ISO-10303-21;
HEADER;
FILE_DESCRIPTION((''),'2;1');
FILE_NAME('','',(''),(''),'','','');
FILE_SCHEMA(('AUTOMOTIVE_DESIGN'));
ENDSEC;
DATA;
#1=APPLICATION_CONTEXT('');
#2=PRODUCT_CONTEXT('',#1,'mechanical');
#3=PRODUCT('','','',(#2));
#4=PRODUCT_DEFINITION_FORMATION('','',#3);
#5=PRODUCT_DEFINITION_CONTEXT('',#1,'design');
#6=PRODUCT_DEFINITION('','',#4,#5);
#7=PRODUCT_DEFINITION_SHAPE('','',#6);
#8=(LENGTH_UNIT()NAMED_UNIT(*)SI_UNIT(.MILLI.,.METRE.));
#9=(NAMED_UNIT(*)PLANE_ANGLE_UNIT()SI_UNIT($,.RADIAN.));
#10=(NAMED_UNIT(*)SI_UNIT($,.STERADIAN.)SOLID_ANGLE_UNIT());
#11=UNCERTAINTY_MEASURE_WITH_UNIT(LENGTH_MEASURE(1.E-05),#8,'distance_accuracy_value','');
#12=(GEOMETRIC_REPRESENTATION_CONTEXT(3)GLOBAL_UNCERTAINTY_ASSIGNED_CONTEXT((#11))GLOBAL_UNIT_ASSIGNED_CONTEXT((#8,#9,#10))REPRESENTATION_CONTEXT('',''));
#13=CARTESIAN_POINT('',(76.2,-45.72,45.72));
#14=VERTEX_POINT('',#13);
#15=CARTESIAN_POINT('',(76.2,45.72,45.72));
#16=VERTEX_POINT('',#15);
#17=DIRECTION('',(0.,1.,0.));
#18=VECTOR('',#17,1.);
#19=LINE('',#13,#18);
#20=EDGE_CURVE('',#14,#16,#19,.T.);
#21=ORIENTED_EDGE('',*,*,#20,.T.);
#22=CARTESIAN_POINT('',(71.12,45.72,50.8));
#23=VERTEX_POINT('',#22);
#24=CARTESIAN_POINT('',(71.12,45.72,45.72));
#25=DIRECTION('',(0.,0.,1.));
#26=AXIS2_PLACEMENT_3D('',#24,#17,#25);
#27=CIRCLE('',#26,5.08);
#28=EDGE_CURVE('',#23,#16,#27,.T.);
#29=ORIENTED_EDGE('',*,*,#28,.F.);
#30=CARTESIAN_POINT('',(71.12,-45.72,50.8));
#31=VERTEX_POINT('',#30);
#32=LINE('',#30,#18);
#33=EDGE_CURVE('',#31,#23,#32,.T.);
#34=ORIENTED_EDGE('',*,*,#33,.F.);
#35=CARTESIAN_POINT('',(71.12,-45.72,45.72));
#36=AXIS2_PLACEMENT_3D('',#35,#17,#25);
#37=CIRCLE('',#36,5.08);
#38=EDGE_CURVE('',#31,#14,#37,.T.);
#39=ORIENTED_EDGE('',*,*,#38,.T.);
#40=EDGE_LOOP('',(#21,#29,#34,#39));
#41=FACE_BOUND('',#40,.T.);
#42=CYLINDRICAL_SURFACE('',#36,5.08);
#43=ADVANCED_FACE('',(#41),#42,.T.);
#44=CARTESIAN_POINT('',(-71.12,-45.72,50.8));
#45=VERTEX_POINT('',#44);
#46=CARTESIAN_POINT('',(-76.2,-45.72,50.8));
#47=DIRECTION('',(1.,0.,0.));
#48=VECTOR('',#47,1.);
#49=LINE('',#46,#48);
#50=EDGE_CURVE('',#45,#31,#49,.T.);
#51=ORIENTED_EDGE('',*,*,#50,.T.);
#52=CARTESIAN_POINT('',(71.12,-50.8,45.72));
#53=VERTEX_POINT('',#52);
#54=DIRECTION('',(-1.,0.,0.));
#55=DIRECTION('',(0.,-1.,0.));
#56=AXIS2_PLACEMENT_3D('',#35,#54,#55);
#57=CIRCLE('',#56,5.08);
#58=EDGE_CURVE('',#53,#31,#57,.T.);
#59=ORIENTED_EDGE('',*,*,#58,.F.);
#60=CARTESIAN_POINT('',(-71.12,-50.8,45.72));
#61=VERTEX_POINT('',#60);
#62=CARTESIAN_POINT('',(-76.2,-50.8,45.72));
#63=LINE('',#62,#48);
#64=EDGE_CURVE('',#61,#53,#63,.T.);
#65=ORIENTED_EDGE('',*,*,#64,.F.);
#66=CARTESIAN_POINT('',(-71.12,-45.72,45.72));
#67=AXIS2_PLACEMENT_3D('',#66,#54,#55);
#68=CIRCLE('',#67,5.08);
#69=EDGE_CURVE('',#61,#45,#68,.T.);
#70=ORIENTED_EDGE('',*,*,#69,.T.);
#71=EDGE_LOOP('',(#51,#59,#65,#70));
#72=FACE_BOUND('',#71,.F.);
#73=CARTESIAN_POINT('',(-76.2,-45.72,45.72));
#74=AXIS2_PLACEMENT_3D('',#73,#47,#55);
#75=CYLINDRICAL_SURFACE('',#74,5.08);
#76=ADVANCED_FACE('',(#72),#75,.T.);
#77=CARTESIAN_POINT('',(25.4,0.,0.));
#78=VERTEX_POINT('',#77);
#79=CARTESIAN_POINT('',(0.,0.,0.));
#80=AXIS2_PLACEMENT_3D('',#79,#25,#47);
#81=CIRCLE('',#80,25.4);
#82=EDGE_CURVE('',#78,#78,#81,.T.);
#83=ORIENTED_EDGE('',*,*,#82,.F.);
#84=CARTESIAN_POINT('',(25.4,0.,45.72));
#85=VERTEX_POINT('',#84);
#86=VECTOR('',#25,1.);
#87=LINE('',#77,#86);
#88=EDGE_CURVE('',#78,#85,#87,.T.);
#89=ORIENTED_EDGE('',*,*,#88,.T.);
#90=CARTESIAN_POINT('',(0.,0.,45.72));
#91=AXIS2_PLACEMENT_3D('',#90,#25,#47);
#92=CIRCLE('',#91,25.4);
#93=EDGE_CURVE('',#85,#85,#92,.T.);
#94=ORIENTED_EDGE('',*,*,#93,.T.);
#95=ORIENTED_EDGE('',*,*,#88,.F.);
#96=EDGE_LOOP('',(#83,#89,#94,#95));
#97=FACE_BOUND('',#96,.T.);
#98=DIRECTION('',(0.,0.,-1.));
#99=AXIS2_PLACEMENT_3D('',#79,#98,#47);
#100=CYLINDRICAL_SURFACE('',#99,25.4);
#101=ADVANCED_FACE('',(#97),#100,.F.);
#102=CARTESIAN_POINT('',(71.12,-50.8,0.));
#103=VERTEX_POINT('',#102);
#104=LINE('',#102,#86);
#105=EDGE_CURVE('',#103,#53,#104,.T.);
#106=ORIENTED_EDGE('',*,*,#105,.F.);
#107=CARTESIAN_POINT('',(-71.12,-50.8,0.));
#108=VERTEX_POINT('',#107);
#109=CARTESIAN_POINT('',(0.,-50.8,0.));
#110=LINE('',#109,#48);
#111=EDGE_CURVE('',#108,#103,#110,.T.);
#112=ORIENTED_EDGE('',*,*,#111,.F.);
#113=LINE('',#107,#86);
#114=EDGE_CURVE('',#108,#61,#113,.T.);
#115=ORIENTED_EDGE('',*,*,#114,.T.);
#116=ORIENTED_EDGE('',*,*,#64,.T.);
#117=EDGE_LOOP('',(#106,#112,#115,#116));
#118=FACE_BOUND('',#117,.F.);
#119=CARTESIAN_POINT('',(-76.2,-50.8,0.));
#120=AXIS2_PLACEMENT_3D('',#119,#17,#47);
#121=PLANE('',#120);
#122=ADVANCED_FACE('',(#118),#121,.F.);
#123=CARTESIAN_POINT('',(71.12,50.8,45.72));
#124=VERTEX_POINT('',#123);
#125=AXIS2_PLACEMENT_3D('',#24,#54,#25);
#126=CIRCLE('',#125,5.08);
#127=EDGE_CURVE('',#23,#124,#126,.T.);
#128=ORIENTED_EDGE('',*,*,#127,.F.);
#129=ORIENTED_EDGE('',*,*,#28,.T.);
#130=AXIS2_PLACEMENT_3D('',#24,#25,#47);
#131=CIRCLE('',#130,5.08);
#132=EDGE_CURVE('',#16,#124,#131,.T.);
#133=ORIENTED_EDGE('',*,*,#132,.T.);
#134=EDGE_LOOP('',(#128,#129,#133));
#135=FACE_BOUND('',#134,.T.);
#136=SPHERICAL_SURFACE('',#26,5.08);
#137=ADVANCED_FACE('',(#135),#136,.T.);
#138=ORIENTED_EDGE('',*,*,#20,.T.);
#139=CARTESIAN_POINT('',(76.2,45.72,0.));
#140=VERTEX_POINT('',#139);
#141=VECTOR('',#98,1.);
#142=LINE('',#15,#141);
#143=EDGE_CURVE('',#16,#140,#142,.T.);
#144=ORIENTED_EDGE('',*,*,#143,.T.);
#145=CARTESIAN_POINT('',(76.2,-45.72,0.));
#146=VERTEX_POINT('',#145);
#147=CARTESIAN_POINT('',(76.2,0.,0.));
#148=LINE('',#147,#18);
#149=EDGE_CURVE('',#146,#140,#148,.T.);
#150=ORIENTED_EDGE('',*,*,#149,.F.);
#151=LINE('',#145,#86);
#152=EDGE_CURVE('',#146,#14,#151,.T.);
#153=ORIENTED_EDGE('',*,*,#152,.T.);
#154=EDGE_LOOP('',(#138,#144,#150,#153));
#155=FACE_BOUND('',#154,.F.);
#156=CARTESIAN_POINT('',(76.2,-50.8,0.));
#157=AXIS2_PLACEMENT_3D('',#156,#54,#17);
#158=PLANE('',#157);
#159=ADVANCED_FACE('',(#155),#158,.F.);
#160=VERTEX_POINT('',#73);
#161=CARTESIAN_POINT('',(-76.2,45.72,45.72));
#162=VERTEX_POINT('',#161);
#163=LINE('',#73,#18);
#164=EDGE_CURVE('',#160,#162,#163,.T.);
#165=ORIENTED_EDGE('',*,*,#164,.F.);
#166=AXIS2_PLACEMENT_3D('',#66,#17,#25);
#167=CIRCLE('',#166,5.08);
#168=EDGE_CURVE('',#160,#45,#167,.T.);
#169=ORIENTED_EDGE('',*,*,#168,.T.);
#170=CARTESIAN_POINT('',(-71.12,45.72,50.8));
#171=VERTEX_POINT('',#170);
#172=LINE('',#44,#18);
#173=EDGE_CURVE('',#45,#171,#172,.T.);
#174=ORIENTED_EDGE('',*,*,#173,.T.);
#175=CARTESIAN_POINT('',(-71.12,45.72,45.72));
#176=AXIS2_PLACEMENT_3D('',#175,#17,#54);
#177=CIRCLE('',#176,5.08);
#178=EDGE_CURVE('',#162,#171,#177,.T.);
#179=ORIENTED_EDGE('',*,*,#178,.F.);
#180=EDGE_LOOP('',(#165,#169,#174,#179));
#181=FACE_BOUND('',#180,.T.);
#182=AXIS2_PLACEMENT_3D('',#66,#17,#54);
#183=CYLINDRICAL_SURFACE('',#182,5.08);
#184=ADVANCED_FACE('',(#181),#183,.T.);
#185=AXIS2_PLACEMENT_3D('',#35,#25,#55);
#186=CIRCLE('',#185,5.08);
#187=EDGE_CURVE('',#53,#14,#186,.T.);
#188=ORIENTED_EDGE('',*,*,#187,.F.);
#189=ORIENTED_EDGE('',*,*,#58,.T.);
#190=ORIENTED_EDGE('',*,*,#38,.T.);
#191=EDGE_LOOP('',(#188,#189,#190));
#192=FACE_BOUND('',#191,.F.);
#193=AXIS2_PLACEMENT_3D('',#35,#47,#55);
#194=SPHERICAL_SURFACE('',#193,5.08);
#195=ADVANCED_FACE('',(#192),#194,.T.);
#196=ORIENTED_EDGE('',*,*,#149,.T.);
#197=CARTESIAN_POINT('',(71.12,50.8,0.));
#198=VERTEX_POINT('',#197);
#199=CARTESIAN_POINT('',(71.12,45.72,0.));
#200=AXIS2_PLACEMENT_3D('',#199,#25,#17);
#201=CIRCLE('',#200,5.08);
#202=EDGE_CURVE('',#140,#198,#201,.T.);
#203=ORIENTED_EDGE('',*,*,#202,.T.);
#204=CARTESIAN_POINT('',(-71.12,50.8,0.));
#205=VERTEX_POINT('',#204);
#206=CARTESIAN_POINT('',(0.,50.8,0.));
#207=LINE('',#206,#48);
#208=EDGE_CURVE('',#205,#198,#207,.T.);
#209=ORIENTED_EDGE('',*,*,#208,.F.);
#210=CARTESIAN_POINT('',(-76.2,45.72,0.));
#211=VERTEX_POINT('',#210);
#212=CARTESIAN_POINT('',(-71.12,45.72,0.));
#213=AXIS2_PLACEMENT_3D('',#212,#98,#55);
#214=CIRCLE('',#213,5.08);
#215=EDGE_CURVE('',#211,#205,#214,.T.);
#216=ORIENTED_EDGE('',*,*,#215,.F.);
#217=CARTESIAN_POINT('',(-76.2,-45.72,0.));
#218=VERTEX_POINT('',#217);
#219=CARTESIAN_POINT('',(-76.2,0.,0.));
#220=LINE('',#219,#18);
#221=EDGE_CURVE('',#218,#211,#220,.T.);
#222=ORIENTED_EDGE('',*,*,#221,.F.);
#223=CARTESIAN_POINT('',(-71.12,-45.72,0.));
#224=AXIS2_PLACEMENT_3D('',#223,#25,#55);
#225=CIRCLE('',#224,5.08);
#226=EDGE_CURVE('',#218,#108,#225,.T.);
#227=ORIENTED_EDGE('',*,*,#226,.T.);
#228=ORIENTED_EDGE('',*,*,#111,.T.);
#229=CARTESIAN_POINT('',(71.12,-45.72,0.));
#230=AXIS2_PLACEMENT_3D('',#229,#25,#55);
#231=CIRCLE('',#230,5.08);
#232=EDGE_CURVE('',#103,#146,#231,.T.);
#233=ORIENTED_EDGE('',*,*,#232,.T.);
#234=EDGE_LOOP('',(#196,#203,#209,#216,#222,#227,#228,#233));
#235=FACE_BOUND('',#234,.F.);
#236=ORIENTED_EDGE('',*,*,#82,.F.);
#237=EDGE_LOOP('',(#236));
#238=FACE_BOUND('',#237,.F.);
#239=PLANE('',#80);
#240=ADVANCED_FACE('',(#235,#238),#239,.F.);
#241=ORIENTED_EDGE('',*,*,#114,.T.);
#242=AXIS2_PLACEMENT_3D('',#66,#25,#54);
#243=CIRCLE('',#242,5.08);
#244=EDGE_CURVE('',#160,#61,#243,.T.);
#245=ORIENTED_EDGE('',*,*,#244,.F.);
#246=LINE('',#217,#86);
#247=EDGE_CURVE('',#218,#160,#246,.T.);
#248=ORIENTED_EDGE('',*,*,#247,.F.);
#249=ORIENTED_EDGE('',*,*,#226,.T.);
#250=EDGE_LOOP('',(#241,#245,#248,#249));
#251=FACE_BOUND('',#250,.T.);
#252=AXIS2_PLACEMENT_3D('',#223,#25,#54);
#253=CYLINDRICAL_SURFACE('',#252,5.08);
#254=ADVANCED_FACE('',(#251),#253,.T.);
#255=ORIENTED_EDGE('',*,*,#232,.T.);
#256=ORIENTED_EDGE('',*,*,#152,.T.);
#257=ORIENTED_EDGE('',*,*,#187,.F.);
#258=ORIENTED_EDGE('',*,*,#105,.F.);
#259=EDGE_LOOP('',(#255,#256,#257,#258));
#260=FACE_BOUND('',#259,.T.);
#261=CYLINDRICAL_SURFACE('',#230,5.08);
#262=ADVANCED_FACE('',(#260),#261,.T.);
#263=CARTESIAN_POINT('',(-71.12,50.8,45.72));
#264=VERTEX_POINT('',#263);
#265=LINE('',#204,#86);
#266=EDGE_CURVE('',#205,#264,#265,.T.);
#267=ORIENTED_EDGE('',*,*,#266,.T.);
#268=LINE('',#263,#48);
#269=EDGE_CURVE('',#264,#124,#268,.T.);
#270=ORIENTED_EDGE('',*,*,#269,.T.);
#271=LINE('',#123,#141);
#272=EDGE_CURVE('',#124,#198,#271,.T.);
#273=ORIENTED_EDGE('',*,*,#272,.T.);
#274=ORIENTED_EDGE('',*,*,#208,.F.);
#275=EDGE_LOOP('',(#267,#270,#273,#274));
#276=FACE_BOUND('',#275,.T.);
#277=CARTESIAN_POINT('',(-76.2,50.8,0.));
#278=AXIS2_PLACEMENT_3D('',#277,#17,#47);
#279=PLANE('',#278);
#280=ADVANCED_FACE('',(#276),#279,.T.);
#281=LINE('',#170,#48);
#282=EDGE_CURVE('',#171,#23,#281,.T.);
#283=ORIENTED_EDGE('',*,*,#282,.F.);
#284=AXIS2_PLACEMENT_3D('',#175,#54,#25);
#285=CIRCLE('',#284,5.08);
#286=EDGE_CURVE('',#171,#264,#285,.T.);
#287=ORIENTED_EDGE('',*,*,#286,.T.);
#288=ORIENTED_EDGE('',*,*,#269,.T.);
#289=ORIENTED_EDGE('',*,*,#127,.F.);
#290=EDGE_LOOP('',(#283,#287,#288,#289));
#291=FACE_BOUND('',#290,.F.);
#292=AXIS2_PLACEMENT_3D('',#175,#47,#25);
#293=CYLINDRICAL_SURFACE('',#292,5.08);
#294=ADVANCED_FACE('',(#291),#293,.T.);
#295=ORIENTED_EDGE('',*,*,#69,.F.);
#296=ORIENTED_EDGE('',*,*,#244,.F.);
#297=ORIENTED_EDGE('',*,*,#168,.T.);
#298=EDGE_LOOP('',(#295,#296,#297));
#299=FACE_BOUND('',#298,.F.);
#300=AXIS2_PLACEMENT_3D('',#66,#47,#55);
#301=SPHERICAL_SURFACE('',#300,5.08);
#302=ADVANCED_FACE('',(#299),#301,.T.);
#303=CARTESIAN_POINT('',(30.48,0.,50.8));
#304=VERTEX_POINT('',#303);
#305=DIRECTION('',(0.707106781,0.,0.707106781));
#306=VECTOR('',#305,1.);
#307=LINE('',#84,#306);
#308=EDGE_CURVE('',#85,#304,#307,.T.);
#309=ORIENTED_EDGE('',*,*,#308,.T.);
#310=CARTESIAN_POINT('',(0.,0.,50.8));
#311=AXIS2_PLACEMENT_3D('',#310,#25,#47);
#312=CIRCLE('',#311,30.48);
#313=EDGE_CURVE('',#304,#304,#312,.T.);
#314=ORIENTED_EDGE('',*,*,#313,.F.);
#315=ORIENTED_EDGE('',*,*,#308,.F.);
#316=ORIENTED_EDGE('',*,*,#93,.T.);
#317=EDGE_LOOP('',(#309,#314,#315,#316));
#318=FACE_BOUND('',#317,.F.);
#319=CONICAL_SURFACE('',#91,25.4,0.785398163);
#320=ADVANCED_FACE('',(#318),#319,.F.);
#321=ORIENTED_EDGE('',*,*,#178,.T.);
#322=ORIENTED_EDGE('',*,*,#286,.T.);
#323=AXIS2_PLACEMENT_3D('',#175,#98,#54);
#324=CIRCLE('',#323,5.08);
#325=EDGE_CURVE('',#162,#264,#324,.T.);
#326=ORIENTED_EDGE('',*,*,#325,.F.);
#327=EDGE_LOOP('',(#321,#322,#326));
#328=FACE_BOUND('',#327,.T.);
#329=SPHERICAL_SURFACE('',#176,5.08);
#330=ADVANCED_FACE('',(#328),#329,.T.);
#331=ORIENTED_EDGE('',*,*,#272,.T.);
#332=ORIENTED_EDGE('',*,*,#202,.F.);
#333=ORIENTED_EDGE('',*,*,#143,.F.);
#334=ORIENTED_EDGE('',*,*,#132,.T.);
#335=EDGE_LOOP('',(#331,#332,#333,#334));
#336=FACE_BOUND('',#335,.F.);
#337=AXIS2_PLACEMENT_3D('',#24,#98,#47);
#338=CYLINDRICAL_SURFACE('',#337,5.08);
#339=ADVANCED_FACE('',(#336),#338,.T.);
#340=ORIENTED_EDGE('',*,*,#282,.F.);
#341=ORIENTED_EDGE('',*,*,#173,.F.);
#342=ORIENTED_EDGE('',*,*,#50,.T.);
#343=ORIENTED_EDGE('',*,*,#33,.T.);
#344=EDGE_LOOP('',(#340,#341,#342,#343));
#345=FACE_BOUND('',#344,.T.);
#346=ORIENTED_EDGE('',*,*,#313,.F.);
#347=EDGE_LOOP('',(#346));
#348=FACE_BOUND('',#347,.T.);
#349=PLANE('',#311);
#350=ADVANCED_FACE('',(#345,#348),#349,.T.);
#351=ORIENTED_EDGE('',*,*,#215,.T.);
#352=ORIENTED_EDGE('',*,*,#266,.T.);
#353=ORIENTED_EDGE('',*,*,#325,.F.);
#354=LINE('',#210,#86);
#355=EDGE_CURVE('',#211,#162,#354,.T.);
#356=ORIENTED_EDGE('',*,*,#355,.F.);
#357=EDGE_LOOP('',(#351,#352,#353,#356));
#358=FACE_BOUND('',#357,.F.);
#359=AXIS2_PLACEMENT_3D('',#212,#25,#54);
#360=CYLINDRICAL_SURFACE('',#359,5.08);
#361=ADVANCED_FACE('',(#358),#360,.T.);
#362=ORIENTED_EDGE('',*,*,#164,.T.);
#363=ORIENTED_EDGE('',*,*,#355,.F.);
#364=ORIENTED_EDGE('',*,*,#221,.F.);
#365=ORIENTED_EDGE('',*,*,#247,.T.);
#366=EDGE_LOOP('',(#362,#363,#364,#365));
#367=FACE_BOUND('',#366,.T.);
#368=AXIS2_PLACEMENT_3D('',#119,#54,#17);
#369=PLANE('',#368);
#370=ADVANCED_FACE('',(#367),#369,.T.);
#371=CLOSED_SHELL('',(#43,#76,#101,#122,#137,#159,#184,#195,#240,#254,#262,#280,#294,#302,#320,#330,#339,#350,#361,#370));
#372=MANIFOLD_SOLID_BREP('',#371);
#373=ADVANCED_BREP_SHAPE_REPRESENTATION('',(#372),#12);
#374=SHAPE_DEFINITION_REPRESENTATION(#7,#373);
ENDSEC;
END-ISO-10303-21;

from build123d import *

# Parameters (mm, degrees)
F0_W     = 152.4
F0_H     = 101.6
F0_R     = 25.4
F1_DEPTH = 50.8
F2_R     = 5.08
F3_R     = 5.08
F4_R     = 5.08
F5_R     = 5.08
F6_SIZE  = 5.08


with BuildPart() as f1:
    # F0 (on Top) → F1 (new body)
    with BuildSketch(Plane.XY):
        Rectangle(F0_W, F0_H)
        Circle(F0_R, mode=Mode.SUBTRACT)
    extrude(amount=F1_DEPTH)

    # F2
    f2_edges = [f1.edges().sort_by_distance(p)[0] for p in [
        (0, -50.8, 50.8),
    ]]
    fillet(f2_edges, radius=F2_R)

    # F3
    f3_edges = [f1.edges().sort_by_distance(p)[0] for p in [
        (76.2, 2.54, 50.8),
    ]]
    fillet(f3_edges, radius=F3_R)

    # F4
    f4_edges = [f1.edges().sort_by_distance(p)[0] for p in [
        (-76.2, 2.54, 50.8),
    ]]
    fillet(f4_edges, radius=F4_R)

    # F5
    f5_edges = [f1.edges().sort_by_distance(p)[0] for p in [
        (-71.12, 2.54, 50.8),
        (0, 50.8, 50.8),
    ]]
    fillet(f5_edges, radius=F5_R)

    # F6
    f6_edges = [f1.edges().sort_by_distance(p)[0] for p in [
        (-25.4, 0, 50.8),
    ]]
    chamfer(f6_edges, length=F6_SIZE)


solid = f1.part
